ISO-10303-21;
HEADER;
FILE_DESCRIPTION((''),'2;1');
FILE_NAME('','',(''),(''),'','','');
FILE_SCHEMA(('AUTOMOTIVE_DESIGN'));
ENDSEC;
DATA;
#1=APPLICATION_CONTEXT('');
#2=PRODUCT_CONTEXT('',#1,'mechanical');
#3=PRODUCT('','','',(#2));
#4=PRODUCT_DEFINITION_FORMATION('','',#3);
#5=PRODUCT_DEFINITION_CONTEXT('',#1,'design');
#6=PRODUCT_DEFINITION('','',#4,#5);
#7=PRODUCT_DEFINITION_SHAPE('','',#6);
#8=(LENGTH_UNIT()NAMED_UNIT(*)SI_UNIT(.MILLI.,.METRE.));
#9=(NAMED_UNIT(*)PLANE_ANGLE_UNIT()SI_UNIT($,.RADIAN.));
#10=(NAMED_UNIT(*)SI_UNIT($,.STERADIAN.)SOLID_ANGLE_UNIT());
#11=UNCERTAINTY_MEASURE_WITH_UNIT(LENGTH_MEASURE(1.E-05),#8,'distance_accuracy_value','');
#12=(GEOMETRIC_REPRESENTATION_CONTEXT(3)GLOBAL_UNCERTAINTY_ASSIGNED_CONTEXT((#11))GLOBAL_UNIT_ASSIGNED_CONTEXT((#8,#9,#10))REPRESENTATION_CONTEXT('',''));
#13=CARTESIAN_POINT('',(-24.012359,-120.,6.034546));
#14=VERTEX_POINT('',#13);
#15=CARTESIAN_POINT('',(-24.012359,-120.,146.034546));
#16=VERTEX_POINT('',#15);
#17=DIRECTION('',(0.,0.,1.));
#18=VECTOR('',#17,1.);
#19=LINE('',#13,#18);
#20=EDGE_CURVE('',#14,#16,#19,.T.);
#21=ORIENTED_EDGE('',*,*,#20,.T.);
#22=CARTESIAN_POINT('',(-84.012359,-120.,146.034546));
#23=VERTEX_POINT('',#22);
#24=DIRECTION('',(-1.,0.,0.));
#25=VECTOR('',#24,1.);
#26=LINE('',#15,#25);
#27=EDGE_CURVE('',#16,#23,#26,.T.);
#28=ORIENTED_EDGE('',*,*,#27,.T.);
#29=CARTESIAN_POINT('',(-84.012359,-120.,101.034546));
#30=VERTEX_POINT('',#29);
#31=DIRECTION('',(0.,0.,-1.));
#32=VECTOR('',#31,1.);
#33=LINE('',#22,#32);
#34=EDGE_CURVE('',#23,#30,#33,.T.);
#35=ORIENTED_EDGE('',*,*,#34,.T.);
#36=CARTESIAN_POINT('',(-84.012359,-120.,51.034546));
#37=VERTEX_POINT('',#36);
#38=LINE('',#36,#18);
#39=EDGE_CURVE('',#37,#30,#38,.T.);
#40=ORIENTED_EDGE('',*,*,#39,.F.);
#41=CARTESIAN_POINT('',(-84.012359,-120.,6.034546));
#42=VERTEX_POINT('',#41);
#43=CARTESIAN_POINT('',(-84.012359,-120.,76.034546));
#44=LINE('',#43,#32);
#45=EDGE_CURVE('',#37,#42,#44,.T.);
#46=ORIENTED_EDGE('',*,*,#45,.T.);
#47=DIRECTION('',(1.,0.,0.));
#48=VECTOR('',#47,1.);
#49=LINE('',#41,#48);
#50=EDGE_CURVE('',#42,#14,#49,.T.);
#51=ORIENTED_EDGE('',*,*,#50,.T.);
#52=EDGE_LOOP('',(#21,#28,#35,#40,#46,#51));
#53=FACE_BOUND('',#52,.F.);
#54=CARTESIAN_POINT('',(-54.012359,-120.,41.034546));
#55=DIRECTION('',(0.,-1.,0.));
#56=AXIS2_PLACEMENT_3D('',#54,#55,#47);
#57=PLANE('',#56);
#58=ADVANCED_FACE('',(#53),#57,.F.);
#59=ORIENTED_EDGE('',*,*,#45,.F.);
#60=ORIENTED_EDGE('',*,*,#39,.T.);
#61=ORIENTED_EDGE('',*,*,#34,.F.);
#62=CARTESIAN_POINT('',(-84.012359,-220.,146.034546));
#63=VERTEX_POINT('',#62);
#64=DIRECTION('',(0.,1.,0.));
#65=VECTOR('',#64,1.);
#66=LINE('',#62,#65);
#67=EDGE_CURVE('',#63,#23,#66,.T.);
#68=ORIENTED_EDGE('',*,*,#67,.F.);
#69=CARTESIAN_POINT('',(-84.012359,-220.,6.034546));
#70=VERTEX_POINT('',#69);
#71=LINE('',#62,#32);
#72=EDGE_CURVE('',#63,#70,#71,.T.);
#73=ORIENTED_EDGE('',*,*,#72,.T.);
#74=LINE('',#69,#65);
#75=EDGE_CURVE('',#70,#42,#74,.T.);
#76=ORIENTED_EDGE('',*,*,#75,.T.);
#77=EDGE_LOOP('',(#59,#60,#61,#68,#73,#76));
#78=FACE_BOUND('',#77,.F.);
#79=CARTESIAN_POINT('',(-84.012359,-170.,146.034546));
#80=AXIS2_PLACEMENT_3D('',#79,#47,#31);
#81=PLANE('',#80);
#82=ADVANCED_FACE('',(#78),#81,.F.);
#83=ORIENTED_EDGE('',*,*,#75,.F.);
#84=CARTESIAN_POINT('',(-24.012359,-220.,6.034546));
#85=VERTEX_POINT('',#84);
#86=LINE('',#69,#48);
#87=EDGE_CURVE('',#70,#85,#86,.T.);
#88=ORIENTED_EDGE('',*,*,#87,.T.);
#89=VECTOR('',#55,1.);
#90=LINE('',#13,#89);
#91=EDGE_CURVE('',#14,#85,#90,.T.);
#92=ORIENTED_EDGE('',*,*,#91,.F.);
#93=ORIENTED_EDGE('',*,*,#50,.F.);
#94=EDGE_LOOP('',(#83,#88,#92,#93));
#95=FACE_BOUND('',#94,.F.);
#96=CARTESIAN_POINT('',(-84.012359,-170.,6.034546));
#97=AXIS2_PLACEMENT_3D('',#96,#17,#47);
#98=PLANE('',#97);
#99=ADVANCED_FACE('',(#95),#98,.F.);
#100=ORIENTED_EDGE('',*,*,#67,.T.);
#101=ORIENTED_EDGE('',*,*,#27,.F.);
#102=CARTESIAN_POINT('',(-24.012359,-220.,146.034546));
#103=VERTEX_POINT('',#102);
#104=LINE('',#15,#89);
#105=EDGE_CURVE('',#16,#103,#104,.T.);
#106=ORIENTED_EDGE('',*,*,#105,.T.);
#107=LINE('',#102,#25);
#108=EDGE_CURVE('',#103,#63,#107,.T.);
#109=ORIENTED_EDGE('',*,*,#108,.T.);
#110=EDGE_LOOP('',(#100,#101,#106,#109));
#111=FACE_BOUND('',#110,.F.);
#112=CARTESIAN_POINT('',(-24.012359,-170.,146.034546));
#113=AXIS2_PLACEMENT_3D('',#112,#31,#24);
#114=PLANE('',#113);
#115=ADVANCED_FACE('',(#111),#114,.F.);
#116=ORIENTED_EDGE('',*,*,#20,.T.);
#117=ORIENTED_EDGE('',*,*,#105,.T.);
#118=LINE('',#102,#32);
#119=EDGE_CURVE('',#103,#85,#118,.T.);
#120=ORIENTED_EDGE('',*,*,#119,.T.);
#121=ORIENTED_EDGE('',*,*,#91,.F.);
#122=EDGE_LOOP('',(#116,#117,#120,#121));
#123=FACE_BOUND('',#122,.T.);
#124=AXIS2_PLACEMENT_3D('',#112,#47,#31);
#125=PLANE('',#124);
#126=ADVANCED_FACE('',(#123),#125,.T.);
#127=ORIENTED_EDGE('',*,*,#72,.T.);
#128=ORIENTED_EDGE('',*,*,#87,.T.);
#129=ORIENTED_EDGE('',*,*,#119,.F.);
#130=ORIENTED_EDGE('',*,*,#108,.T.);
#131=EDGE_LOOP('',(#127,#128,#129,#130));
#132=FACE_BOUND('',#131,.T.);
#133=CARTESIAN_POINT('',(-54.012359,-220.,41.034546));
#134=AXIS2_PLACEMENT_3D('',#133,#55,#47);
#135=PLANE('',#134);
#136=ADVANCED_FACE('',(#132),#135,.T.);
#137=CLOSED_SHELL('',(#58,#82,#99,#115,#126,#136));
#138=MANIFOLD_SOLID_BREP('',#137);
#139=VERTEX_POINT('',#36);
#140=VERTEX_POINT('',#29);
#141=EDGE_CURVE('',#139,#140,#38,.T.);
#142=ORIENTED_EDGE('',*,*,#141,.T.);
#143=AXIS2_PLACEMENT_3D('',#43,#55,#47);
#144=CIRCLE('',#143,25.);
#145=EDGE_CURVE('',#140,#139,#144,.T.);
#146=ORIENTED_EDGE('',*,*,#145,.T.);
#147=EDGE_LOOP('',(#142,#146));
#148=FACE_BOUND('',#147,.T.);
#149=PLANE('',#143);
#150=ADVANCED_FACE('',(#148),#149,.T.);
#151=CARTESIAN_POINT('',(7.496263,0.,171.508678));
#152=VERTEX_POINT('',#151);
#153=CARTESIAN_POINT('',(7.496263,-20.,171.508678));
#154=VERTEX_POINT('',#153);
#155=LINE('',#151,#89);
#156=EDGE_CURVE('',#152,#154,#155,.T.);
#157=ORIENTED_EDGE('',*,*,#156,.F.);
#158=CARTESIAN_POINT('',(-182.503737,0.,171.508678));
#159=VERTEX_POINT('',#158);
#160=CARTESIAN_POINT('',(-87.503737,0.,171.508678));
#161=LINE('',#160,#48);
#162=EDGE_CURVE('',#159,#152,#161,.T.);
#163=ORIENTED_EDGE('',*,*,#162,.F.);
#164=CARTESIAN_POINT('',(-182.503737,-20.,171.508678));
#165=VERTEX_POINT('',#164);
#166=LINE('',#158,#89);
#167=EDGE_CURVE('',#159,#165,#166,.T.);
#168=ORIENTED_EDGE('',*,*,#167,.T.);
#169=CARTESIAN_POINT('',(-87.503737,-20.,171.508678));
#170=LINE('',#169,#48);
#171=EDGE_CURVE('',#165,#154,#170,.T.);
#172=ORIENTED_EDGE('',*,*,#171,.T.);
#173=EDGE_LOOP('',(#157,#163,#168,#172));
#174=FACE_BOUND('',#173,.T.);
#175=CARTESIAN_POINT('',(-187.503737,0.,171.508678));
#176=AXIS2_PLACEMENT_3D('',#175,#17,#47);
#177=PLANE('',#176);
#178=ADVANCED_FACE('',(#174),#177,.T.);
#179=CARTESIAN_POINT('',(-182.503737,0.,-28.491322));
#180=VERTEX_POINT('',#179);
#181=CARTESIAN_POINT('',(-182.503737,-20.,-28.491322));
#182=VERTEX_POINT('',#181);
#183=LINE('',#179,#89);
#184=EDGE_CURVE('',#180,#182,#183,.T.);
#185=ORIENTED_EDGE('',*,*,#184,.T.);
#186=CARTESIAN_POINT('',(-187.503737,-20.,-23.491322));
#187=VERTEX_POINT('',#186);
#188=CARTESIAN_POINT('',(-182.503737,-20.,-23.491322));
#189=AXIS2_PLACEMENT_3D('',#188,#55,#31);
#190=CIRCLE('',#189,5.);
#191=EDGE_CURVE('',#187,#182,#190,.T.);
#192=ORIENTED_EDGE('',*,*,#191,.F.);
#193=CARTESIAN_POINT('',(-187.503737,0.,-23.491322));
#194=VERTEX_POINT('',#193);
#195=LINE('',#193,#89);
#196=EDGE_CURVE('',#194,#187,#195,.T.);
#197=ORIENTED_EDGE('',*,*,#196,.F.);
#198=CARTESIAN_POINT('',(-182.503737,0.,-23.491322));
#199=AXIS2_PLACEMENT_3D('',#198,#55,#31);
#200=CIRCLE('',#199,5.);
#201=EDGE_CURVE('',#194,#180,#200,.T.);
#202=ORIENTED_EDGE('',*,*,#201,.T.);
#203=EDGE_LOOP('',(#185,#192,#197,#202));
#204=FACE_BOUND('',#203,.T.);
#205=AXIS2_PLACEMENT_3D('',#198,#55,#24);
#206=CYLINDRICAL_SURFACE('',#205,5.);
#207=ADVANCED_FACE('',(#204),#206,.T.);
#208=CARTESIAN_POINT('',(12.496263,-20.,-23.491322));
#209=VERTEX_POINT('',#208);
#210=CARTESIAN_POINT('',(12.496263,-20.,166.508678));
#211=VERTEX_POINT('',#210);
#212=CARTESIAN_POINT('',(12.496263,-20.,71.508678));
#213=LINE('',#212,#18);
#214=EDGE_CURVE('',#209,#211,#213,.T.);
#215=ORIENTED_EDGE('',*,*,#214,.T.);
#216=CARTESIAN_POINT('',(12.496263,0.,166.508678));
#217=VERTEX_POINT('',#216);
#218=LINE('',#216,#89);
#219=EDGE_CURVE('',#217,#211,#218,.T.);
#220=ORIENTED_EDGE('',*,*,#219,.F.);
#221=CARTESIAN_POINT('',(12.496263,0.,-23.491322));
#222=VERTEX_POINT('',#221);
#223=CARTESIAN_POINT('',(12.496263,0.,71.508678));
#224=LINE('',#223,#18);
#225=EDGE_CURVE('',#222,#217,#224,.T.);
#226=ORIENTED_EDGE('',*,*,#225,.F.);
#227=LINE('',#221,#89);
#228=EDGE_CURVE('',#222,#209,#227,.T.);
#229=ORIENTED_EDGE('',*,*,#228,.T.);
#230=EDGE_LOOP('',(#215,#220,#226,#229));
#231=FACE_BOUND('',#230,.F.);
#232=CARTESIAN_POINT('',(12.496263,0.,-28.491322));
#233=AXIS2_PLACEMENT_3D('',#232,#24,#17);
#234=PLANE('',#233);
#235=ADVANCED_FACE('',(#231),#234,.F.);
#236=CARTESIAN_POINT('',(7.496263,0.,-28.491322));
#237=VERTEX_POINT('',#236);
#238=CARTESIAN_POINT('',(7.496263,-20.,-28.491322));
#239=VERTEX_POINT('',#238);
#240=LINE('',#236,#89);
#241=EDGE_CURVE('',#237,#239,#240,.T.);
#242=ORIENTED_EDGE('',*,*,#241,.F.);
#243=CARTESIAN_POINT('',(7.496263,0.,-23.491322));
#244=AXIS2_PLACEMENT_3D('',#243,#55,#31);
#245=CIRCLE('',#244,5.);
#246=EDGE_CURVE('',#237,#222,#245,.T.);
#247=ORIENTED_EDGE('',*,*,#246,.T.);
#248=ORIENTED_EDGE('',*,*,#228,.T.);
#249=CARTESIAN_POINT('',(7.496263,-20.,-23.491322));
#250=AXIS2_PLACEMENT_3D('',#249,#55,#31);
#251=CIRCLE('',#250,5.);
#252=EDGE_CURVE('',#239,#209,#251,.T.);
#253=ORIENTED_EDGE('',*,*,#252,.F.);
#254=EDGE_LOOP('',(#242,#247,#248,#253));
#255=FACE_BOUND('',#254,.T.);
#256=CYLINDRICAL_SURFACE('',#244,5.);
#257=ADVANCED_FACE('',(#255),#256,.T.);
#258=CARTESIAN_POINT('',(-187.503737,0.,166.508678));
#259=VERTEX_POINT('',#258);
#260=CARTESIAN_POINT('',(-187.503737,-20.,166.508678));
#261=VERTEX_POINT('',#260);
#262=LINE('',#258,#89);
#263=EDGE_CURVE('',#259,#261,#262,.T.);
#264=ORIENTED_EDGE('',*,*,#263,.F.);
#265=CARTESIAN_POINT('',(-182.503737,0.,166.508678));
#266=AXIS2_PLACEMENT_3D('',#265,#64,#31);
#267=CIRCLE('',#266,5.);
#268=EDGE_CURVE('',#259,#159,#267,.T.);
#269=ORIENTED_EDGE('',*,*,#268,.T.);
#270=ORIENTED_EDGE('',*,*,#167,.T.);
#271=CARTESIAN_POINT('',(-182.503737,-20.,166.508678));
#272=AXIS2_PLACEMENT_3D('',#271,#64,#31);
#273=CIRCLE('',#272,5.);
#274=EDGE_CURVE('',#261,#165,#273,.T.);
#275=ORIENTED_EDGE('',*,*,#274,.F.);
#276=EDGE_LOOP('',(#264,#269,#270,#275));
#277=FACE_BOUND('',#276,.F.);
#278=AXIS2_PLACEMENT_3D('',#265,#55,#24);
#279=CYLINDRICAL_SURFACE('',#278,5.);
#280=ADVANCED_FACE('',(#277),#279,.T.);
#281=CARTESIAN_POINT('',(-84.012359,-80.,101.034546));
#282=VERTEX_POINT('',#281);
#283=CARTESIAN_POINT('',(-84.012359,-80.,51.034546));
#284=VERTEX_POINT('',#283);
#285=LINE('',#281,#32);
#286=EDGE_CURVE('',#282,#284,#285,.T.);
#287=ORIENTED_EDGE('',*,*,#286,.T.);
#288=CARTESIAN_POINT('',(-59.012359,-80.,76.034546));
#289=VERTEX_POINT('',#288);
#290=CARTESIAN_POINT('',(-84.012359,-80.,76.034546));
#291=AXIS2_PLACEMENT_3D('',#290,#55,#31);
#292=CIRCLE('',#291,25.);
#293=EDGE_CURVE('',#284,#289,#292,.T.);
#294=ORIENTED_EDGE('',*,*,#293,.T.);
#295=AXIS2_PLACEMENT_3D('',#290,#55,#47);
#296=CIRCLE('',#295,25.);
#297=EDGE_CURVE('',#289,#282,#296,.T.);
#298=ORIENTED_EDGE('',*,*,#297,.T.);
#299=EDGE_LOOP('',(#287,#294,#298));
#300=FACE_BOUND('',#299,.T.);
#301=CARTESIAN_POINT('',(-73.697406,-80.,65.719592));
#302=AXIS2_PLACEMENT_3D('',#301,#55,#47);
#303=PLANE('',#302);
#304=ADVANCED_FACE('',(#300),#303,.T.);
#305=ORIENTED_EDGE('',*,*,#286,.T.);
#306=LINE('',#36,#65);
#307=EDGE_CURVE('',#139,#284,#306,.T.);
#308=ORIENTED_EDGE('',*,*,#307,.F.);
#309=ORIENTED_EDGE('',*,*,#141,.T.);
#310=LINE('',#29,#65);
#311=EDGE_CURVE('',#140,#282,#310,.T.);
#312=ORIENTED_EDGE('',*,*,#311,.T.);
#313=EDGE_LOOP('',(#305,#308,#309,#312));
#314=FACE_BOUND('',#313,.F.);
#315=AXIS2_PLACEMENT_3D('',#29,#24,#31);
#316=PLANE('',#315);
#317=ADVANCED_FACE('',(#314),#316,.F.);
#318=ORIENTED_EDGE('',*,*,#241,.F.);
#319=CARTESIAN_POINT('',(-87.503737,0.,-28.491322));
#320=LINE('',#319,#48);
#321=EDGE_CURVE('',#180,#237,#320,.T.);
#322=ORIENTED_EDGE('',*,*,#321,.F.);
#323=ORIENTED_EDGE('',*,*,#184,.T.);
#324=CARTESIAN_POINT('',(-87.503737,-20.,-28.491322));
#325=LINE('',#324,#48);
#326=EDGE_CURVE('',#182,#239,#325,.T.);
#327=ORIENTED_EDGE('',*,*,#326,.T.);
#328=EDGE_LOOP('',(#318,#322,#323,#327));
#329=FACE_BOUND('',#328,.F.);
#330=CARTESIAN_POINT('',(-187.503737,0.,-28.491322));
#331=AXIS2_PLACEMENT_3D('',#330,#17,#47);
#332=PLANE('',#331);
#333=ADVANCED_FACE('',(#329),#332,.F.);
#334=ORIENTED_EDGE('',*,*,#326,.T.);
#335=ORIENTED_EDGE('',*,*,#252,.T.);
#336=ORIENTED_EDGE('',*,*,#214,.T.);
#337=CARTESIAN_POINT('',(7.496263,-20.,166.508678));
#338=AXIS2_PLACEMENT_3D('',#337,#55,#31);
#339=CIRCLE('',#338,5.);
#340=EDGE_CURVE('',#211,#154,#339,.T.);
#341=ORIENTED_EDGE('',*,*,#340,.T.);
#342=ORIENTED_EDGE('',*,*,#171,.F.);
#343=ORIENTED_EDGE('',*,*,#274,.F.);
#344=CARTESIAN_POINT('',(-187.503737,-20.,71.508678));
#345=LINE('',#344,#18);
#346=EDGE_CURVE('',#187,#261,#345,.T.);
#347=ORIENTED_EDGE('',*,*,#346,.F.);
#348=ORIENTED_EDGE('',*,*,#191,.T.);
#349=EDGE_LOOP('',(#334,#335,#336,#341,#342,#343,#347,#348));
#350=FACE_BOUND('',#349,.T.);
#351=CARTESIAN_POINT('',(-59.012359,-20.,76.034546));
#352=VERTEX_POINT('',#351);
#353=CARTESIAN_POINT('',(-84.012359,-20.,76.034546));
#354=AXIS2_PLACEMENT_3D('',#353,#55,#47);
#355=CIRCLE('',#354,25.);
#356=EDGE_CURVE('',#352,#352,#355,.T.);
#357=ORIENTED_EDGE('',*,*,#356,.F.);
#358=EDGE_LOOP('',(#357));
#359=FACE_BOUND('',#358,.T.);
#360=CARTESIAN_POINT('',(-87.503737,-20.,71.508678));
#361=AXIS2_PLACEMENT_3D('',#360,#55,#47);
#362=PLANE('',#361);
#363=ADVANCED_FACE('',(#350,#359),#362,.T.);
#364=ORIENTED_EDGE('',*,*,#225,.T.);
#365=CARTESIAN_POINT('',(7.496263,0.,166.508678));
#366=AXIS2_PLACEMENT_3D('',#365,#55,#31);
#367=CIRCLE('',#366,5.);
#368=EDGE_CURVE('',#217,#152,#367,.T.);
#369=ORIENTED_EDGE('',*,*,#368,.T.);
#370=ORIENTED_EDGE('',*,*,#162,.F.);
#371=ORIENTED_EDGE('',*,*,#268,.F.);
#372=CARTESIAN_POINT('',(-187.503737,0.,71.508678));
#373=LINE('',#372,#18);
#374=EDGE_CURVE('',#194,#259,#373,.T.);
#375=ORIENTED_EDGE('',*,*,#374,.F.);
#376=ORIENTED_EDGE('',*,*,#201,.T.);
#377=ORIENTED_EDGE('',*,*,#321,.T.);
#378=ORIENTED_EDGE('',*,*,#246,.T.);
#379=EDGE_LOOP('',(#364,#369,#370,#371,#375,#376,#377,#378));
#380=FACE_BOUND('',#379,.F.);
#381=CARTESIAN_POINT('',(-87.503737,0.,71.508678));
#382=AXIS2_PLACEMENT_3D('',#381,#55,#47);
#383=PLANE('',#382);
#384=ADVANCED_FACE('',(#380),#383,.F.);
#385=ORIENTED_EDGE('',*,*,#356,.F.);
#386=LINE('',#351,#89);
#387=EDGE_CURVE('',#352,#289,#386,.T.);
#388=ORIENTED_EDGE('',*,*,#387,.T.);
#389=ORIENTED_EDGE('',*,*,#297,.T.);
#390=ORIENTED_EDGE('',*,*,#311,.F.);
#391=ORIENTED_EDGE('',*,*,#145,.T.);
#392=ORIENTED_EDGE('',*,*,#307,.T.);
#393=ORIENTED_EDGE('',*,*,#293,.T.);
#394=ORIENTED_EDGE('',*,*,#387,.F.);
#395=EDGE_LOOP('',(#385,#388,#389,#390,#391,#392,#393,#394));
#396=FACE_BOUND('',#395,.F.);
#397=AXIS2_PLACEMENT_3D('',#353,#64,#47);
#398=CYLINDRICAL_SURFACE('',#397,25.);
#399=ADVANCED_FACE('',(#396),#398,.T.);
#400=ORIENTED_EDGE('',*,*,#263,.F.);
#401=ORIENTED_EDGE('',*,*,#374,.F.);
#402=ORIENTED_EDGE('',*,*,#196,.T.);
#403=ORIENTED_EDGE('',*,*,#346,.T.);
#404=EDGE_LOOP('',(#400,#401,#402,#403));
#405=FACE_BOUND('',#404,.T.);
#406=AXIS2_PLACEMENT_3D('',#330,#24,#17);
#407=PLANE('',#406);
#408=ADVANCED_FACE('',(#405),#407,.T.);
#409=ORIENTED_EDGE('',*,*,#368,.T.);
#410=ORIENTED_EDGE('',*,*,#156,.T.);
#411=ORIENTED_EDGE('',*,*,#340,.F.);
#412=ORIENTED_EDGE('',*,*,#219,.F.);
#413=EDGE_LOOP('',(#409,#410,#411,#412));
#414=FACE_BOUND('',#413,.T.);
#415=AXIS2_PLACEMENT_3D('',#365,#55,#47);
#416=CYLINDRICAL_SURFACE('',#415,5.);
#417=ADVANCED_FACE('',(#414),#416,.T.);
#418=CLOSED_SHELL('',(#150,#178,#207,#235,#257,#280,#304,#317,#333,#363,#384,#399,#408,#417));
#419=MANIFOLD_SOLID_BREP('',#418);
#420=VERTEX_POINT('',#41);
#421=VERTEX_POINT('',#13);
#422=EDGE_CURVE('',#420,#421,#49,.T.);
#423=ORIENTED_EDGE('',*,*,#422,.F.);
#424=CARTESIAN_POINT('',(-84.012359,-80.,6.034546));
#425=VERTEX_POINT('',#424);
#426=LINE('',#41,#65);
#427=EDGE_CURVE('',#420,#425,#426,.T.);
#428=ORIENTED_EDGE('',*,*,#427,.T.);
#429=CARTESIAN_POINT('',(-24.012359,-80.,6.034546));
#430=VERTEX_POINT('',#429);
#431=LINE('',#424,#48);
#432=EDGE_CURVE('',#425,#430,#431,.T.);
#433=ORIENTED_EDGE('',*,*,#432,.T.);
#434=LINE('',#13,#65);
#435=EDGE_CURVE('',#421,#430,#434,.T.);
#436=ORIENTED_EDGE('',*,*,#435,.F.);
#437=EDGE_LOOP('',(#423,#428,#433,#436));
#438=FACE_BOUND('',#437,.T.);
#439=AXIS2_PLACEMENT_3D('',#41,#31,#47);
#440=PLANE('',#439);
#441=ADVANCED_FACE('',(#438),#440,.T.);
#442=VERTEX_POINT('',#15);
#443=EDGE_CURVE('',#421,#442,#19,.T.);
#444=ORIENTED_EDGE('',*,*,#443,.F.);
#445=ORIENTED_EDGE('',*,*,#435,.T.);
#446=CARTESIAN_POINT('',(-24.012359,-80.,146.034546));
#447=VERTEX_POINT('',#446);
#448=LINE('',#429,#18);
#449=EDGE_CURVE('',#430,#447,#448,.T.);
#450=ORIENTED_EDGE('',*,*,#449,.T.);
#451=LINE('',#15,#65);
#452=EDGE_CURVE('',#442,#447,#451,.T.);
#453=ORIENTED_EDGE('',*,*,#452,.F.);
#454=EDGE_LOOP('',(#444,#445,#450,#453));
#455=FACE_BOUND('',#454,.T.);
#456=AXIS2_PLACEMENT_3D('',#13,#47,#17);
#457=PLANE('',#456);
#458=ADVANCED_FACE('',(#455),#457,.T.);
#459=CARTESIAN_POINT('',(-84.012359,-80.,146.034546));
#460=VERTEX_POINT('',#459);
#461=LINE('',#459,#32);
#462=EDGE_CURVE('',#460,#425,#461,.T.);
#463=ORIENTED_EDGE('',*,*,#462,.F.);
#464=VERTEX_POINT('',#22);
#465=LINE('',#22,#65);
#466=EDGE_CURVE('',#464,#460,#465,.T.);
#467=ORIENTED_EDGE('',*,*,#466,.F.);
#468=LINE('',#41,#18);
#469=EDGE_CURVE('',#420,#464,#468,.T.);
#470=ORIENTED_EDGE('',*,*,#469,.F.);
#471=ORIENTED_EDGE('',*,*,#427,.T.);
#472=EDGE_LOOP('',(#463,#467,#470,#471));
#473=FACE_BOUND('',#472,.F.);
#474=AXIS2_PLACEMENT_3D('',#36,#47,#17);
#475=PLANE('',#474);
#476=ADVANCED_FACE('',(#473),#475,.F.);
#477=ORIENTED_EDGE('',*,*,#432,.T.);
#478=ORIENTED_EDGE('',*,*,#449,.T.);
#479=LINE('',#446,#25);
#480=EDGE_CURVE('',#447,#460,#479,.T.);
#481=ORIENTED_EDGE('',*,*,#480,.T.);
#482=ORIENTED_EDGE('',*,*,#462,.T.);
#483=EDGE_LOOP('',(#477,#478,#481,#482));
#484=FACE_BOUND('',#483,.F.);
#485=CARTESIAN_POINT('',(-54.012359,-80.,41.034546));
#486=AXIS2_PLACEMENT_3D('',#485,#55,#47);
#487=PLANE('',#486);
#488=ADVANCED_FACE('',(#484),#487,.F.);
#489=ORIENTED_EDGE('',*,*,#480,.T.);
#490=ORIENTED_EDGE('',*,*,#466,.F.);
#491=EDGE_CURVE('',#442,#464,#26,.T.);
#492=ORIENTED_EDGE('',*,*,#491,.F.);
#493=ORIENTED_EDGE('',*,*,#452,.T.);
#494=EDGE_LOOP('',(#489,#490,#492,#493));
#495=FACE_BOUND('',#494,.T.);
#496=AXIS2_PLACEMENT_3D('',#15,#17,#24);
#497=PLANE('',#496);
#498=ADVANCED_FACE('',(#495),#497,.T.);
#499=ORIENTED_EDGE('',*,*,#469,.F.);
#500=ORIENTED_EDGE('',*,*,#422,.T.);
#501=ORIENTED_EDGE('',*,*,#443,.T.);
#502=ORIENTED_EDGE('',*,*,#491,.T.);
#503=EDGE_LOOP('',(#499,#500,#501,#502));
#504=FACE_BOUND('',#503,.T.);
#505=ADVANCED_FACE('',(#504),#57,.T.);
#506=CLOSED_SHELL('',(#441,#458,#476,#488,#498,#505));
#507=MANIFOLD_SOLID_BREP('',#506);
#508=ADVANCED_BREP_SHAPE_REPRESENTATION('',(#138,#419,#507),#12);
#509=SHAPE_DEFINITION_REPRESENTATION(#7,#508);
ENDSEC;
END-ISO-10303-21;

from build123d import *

# Parameters (mm, degrees)
F0_W      = 200
F0_H      = 200
F1_DEPTH  = 20
F2_R      = 5
F3_R      = 25
F4_DEPTH  = 100
F6_DEPTH  = 40
F8_DEPTH  = 50
F9_DEPTH  = 50
F10_DEPTH = 40
F11_DEPTH = 50


with BuildPart() as f1:
    # F0 (on Front) → F1 (new body)
    with BuildSketch(Plane.XZ):
        with Locations((-87.5037372112, 71.5086780488)):
            Rectangle(F0_W, F0_H)
    extrude(amount=F1_DEPTH)

    # F2
    f2_edges = [f1.edges().sort_by_distance(p)[0] for p in [
        (12.496263, -10, 171.508678),
        (-187.503737, -10, 171.508678),
        (-187.503737, -10, -28.491322),
        (12.496263, -10, -28.491322),
    ]]
    fillet(f2_edges, radius=F2_R)

    # F3 (on face) → F4 (join)
    with BuildSketch(Plane.XZ.offset(20)):
        with Locations((-84.0123593807, 76.0345458984)):
            Circle(F3_R)
    extrude(amount=F4_DEPTH)

    # F5 (on face) → F6 (cut)
    with BuildSketch(Plane.XZ.offset(120)):
        with BuildLine():
            Line((-59.0123593807, 76.0345458984), (-84.0123593807, 76.0345458984))
            Line((-84.0123593807, 76.0345458984), (-84.0123593807, 51.0345458984))
            ThreePointArc((-84.0123593807, 51.0345458984), (-66.3346898511, 58.3568763688), (-59.0123593807, 76.0345458984))
        make_face()
        with BuildLine():
            Line((-84.0123593807, 101.0345458984), (-84.0123593807, 76.0345458984))
            Line((-84.0123593807, 76.0345458984), (-59.0123593807, 76.0345458984))
            ThreePointArc((-59.0123593807, 76.0345458984), (-66.3346898511, 93.7122154281), (-84.0123593807, 101.0345458984))
        make_face()
    extrude(amount=-F6_DEPTH, mode=Mode.SUBTRACT)



with BuildPart() as f8:
    # F7 (on face) → F8 (new body)
    with BuildSketch(Plane.XZ.offset(120)):
        Polygon((-24.0123593807, 76.0345458984), (-84.0123593807, 76.0345458984), (-84.0123593807, 51.0345458984), (-84.0123593807, 6.0345458984), (-24.0123593807, 6.0345458984), align=None)
    extrude(amount=F8_DEPTH)


with BuildPart() as f1_1:
    add(f1.part)

    add(f8.part)  # F9 merges F8
    # F7 (on face) → F9 (join)
    with BuildSketch(Plane.XZ.offset(120)):
        Polygon((-24.0123593807, 76.0345458984), (-84.0123593807, 76.0345458984), (-84.0123593807, 51.0345458984), (-84.0123593807, 6.0345458984), (-24.0123593807, 6.0345458984), align=None)
        Polygon((-84.0123593807, 101.0345458984), (-84.0123593807, 76.0345458984), (-24.0123593807, 76.0345458984), (-24.0123593807, 146.0345458984), (-84.0123593807, 146.0345458984), align=None)
    extrude(amount=F9_DEPTH)


with BuildPart() as f10:
    # F10 (new): a face of the model
    f10_faces = [f1_1.part.faces().sort_by_distance(p)[0] for p in [
        (-54.0123593807, -120, 76.0345458984),
    ]]
    extrude(f10_faces, amount=F10_DEPTH)


with BuildPart() as f1_2:
    add(f1_1.part)

    # F11 (add): a face of the model
    f11_faces = [f1_2.faces().sort_by_distance(p)[0] for p in [
        (-54.0123593807, -170, 76.0345458984),
    ]]
    extrude(f11_faces, amount=F11_DEPTH)


solid = Compound([f10.part, f1_2.part])
